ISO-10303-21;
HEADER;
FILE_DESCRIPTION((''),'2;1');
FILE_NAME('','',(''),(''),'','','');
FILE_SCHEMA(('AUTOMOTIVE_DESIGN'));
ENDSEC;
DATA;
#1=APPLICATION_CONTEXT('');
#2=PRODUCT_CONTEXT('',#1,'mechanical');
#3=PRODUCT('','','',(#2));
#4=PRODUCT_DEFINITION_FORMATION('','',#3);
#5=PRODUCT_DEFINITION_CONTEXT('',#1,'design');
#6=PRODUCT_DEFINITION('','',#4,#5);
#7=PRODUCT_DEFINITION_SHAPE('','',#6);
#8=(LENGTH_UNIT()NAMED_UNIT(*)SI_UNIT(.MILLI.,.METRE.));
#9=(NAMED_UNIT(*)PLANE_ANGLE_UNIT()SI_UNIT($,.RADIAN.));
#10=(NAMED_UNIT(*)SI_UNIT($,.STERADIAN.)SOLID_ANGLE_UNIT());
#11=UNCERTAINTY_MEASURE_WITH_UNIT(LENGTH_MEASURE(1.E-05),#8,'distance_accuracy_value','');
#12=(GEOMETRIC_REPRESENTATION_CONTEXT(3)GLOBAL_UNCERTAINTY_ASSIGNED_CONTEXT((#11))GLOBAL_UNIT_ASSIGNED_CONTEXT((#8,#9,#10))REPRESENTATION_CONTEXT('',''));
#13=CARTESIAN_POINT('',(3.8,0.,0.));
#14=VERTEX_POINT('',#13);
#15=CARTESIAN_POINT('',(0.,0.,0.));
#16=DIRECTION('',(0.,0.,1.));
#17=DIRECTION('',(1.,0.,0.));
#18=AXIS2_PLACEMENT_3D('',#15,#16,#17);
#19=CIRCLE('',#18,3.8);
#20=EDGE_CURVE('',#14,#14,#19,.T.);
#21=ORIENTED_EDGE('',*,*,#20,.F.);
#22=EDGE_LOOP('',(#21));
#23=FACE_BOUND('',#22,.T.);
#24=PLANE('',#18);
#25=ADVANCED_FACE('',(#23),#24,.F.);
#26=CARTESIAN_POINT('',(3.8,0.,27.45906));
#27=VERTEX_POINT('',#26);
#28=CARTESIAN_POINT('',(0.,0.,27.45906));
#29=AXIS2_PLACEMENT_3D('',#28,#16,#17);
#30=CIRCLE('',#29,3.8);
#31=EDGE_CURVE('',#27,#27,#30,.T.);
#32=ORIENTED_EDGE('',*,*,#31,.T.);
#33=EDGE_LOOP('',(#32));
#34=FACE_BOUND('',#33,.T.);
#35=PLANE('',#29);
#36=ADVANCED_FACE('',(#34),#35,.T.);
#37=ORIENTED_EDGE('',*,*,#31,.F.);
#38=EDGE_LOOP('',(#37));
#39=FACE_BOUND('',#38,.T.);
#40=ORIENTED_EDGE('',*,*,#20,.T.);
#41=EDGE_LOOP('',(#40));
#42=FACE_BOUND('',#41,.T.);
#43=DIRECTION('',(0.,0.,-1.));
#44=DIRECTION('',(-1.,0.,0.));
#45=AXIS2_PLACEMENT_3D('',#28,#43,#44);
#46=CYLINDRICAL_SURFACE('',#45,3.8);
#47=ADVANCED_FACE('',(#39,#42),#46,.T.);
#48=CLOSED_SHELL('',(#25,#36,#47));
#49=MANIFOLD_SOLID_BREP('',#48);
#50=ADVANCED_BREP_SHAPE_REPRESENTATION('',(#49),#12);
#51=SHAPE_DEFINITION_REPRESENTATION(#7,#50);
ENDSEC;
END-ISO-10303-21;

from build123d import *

# Parameters (mm, degrees)
SKETCH_1_R  = 3.8
CABLE_DEPTH = 27.459060435


with BuildPart() as part:
    # 草图1 → Cable (new body)
    with BuildSketch(Plane.XY):
        Circle(SKETCH_1_R)
    extrude(amount=CABLE_DEPTH)


solid = part.part
